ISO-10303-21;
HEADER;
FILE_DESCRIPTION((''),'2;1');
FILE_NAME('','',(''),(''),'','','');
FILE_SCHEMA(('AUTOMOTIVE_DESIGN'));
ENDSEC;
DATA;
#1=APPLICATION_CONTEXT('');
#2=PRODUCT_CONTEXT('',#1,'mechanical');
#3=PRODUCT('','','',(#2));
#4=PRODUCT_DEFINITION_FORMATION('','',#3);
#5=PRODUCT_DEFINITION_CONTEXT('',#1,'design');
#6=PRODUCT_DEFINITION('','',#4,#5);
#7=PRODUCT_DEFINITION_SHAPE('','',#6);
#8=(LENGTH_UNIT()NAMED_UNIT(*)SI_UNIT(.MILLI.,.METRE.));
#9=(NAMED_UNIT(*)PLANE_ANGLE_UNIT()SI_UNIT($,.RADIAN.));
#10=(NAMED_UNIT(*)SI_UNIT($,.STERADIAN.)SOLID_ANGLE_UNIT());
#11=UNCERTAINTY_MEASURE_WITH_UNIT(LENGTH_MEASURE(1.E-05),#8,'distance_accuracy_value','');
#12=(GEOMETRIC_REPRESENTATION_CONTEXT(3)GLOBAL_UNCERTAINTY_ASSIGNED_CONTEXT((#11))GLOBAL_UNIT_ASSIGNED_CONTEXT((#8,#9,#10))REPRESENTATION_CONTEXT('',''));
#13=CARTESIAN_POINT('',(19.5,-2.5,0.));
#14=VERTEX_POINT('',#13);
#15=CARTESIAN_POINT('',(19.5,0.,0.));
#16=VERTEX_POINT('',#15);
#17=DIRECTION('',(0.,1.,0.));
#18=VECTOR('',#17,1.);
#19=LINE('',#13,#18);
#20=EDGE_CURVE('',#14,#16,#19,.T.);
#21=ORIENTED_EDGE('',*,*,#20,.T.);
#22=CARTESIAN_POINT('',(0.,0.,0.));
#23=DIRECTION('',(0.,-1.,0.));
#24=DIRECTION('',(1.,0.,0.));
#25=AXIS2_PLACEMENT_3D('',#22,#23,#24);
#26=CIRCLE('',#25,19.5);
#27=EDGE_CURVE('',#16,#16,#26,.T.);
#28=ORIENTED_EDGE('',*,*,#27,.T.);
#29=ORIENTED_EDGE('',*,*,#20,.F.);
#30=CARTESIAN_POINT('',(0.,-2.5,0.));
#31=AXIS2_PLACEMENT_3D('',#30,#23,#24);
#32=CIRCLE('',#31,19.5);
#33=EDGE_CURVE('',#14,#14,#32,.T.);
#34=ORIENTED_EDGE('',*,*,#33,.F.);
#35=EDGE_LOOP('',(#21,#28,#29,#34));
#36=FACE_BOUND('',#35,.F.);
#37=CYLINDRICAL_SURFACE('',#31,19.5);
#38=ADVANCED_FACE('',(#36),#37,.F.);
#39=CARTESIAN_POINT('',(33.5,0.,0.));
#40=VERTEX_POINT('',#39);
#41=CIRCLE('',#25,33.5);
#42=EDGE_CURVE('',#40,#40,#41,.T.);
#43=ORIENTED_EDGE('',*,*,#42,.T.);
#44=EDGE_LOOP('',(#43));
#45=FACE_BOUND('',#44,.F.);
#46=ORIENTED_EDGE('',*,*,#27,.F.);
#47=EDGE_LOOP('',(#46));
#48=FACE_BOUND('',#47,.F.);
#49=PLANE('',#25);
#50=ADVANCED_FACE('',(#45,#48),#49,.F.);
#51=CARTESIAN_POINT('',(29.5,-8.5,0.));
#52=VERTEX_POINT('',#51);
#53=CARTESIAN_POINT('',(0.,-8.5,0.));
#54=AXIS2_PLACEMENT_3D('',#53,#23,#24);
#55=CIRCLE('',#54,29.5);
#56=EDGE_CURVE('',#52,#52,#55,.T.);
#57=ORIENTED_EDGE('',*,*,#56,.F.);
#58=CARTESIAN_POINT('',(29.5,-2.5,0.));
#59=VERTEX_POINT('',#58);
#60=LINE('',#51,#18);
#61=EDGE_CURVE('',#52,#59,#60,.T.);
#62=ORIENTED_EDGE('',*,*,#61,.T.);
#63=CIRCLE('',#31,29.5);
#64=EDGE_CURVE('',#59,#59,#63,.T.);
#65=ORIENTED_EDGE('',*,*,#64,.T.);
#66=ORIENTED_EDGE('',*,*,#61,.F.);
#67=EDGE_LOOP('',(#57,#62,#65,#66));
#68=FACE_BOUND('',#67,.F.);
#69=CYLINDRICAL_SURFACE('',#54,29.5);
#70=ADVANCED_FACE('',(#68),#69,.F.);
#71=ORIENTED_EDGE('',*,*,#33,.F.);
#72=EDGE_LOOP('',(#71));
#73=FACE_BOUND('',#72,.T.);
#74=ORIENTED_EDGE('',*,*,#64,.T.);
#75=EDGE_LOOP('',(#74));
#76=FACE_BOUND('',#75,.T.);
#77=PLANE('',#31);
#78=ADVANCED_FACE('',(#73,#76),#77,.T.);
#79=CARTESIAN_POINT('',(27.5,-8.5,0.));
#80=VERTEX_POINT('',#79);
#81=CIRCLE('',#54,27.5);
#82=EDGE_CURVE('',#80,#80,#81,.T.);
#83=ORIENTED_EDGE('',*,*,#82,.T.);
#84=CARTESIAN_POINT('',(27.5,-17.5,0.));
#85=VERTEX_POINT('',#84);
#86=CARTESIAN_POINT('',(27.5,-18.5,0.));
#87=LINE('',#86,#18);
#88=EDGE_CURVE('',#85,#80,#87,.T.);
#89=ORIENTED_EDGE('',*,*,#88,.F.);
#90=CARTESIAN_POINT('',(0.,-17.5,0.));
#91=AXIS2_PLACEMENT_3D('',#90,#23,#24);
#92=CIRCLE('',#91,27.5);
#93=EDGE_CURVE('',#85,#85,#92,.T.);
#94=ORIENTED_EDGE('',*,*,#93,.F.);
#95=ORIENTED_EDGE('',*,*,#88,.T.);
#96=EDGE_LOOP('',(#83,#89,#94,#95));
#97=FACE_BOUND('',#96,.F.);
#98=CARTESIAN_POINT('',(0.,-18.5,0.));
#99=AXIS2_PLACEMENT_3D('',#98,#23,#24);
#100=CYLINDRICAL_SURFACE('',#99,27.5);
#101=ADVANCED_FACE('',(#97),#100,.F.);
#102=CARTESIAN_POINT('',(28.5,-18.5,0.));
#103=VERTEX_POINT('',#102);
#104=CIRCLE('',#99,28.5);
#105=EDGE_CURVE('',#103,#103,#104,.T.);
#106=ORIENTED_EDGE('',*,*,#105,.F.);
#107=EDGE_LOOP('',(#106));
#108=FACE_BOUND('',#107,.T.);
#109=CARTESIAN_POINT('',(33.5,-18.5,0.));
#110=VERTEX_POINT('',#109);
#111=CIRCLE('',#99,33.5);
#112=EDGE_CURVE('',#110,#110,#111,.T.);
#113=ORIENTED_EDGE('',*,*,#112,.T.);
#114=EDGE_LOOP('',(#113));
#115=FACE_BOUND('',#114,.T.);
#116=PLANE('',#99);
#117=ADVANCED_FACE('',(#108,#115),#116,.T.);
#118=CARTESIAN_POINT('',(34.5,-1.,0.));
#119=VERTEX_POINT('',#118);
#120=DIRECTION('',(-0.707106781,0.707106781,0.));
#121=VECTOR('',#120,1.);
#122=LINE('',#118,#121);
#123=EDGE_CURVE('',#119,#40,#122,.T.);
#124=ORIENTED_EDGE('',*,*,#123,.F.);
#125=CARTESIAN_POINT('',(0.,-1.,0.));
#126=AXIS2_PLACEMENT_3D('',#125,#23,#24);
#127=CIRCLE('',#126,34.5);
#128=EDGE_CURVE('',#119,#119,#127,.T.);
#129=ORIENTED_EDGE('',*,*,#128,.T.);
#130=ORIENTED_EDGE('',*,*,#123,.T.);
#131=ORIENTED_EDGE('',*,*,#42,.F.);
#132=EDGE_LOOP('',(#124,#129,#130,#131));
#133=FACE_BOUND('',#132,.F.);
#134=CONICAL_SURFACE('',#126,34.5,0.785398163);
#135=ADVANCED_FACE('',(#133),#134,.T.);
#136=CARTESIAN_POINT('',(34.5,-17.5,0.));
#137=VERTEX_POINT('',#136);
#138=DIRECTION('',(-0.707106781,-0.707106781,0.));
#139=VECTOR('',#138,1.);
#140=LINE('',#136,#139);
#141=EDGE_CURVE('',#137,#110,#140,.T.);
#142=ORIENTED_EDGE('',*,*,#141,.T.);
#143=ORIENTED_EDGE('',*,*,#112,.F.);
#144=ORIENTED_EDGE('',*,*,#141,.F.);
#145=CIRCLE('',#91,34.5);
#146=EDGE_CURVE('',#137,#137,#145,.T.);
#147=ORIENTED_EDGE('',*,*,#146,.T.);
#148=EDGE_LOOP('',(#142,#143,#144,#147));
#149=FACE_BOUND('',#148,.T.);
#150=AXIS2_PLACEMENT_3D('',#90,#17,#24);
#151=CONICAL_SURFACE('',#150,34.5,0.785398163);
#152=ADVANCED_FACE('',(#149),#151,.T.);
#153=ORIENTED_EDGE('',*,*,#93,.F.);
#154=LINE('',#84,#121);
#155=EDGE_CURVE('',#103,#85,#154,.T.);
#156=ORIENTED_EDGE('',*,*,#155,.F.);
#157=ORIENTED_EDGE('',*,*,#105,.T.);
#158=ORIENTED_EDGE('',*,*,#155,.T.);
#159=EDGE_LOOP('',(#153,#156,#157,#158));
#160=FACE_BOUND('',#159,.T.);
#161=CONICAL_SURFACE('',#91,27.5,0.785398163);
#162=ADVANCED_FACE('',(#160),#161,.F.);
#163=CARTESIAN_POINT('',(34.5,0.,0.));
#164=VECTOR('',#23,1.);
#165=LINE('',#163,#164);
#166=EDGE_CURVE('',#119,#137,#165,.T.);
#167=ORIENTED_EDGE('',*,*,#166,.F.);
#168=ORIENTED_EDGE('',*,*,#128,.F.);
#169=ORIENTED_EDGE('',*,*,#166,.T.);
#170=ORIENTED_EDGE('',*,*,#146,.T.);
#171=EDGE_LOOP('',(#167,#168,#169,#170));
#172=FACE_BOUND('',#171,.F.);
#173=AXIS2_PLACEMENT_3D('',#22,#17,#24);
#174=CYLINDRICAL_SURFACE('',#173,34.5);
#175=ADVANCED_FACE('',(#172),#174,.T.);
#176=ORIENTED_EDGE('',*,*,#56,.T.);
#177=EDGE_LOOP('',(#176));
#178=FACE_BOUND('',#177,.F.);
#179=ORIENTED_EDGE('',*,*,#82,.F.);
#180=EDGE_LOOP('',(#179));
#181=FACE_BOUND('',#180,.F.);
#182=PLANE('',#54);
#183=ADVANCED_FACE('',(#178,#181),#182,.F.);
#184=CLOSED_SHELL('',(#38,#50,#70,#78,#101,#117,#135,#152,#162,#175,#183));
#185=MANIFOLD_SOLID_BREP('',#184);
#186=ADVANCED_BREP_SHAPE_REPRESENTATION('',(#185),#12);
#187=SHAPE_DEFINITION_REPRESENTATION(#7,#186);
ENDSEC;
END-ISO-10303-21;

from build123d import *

# Parameters (mm, degrees)
F0_R     = 34.5
F1_DEPTH = 18.5
F2_R     = 27.5
F3_DEPTH = 10
F4_R     = 29.5
F5_DEPTH = 6
F6_R     = 19.5
F7_DEPTH = 2.501
F8_SIZE  = 1


with BuildPart() as f1:
    # F0 (on Front) → F1 (new body)
    with BuildSketch(Plane.XZ):
        Circle(F0_R)
    extrude(amount=F1_DEPTH)

    # F2 (on face) → F3 (cut)
    with BuildSketch(Plane.XZ.offset(18.5)):
        Circle(F2_R)
    extrude(amount=-F3_DEPTH, mode=Mode.SUBTRACT)

    # F4 (on face) → F5 (cut)
    with BuildSketch(Plane.XZ.offset(8.5)):
        Circle(F4_R)
    extrude(amount=-F5_DEPTH, mode=Mode.SUBTRACT)

    # F6 (on face) → F7 (cut, through all)
    with BuildSketch(Plane.XZ.offset(2.5)):
        Circle(F6_R)
    extrude(amount=-F7_DEPTH, mode=Mode.SUBTRACT)

    # F8
    f8_edges = [f1.edges().sort_by_distance(p)[0] for p in [
        (-34.5, -18.5, 0),
        (-27.5, -18.5, 0),
        (-34.5, 0, 0),
    ]]
    chamfer(f8_edges, length=F8_SIZE)


solid = f1.part
